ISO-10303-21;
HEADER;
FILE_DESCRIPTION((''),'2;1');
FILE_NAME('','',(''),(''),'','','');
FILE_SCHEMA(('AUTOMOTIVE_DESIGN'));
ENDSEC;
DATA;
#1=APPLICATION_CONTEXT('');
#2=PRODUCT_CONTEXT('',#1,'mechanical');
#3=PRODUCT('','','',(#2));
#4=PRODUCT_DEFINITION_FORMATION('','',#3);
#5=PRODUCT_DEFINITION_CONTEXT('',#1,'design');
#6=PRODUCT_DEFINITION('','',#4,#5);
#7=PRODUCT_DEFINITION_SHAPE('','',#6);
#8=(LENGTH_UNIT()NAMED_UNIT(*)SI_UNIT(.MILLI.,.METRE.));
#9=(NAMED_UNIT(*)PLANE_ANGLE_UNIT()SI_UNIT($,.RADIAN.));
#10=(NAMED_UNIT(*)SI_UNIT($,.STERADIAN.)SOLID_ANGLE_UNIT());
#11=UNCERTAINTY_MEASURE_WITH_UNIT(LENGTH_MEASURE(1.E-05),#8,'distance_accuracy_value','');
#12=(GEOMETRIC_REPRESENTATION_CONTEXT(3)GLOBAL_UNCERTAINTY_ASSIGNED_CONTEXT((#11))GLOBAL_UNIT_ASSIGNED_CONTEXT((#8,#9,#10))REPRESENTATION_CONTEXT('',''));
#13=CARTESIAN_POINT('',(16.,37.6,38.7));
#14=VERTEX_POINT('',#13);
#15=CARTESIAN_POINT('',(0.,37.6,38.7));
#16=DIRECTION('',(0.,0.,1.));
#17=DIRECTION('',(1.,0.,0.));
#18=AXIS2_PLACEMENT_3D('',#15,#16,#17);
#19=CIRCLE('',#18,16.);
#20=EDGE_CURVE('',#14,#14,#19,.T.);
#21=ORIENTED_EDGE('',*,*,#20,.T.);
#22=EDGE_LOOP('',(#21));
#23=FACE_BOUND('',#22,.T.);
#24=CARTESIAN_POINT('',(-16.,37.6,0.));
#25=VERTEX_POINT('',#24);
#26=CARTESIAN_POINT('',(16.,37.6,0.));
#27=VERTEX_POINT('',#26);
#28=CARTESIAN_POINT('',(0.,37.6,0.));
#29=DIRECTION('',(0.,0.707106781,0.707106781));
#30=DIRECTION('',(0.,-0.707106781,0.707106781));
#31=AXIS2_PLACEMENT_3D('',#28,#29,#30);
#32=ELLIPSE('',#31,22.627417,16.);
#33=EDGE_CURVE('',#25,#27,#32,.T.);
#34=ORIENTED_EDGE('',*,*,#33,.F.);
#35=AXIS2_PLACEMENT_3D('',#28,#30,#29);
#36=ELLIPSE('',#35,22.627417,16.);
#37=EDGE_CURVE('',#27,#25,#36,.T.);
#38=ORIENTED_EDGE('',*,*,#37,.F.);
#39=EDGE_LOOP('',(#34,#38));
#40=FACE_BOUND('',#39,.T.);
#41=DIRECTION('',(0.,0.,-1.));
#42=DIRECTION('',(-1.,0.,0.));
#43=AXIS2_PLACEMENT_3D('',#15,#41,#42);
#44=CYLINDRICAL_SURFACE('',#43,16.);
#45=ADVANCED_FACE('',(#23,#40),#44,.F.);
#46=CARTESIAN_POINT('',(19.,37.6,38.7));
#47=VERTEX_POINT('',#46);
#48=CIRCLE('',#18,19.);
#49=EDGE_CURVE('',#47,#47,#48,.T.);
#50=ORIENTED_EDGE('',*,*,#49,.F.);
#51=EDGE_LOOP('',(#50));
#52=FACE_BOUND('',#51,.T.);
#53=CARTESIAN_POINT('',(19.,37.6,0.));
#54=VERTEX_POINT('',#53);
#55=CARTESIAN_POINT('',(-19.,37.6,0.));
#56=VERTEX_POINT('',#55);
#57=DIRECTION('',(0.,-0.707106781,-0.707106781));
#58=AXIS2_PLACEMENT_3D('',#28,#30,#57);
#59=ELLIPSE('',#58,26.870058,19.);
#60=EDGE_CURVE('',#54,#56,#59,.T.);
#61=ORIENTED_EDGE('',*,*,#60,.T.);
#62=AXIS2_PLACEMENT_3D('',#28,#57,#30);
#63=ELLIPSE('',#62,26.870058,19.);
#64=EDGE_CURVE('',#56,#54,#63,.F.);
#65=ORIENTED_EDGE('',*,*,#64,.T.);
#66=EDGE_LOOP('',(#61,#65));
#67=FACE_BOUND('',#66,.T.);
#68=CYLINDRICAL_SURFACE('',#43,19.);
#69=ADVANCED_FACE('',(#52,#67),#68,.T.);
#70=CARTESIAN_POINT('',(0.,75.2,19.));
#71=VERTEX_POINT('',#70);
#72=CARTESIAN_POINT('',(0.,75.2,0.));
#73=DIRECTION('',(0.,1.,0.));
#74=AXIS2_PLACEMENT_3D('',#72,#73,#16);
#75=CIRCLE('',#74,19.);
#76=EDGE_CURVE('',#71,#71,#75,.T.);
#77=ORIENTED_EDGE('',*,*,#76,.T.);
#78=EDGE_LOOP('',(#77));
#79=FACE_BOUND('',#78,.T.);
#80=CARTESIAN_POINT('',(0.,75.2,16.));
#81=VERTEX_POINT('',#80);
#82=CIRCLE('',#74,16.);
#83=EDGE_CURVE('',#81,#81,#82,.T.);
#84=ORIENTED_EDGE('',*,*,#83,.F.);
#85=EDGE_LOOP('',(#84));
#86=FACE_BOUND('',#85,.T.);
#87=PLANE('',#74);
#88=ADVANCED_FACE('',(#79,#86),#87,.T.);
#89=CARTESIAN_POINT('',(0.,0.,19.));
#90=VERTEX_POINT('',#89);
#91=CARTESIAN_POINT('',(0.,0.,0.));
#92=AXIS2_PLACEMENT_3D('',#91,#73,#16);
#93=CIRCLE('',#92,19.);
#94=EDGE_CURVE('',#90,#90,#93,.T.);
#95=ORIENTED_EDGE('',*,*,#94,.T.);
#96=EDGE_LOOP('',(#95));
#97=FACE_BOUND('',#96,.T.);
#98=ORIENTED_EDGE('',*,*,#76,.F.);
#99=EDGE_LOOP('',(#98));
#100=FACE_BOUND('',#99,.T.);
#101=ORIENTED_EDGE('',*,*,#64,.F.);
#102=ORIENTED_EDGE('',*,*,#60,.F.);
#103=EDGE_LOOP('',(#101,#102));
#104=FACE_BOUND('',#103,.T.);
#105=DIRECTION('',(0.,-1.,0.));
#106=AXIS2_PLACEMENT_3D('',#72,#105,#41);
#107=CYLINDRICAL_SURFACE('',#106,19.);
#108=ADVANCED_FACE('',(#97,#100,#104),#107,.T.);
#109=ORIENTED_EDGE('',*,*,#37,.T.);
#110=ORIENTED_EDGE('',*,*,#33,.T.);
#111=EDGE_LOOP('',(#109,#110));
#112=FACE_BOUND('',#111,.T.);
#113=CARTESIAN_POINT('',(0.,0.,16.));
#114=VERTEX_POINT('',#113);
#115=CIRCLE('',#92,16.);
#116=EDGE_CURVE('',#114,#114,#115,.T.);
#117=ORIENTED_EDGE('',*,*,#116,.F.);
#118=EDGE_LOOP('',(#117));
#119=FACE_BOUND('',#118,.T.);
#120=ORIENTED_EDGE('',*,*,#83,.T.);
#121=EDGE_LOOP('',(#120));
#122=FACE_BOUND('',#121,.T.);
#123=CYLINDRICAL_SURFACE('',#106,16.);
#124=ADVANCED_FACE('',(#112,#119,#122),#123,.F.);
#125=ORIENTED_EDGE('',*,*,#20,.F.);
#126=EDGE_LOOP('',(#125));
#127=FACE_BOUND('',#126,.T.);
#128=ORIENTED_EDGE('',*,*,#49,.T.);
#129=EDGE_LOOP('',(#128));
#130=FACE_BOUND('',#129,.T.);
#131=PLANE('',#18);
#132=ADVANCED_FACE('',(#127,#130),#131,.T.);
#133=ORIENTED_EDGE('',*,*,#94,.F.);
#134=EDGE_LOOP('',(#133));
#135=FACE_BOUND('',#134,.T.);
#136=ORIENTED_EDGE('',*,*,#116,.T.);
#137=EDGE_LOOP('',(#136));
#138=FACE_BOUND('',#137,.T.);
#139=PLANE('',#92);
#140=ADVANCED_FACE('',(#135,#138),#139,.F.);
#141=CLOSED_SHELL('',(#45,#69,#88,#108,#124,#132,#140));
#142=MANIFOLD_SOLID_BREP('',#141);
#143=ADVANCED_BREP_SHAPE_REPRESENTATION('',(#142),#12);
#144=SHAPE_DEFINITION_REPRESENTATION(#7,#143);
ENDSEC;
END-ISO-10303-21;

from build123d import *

# Parameters (mm, degrees)
SKETCH_1_R          = 19
SKETCH_1_R_2        = 16
EXTRUDE_1_DEPTH     = 75.2
SKETCH_2_R          = 19
SKETCH_2_R_2        = 16
EXTRUDE_2_DEPTH     = 38.7
SKETCH_3_R          = 16
CUT_EXTRUDE_1_DEPTH = 76.2000001
CUT_EXTRUDE_2_REACH = 59.7
SKETCH_4_R          = 16


with BuildPart() as part:
    # 草图1 → 凸台-拉伸1 (new body)
    with BuildSketch(Plane(origin=(0, 0, 0), x_dir=(1, 0, 0), z_dir=(0, 1, 0))):
        Circle(SKETCH_1_R)
        Circle(SKETCH_1_R_2, mode=Mode.SUBTRACT)
    extrude(amount=EXTRUDE_1_DEPTH)

    # 草图2 → 凸台-拉伸2 (add)
    with BuildSketch(Plane.XY):
        with Locations((0, 37.6)):
            Circle(SKETCH_2_R)
        with Locations((0, 37.6)):
            Circle(SKETCH_2_R_2, mode=Mode.SUBTRACT)
    extrude(amount=EXTRUDE_2_DEPTH)

    # 草图3 → 切除-拉伸1 (cut, through all)
    with BuildSketch(Plane(origin=(0, 75.2, 0), x_dir=(1, 0, 0), z_dir=(0, 1, 0))):
        Circle(SKETCH_3_R)
    extrude(amount=-CUT_EXTRUDE_1_DEPTH, mode=Mode.SUBTRACT)

    # 草图4 → 切除-拉伸2 (cut, up to next)
    with BuildSketch(Plane.XY.offset(38.7), mode=Mode.PRIVATE) as cut_extrude_2_sk1:
        with Locations((0, 37.6)):
            Circle(SKETCH_4_R)
    cut_extrude_2_tool1 = extrude(cut_extrude_2_sk1.sketch, amount=-CUT_EXTRUDE_2_REACH, mode=Mode.PRIVATE) & part.part
    add(cut_extrude_2_tool1.solids().sort_by_distance((0, 37.6, 38.7))[0], mode=Mode.SUBTRACT)


solid = part.part
